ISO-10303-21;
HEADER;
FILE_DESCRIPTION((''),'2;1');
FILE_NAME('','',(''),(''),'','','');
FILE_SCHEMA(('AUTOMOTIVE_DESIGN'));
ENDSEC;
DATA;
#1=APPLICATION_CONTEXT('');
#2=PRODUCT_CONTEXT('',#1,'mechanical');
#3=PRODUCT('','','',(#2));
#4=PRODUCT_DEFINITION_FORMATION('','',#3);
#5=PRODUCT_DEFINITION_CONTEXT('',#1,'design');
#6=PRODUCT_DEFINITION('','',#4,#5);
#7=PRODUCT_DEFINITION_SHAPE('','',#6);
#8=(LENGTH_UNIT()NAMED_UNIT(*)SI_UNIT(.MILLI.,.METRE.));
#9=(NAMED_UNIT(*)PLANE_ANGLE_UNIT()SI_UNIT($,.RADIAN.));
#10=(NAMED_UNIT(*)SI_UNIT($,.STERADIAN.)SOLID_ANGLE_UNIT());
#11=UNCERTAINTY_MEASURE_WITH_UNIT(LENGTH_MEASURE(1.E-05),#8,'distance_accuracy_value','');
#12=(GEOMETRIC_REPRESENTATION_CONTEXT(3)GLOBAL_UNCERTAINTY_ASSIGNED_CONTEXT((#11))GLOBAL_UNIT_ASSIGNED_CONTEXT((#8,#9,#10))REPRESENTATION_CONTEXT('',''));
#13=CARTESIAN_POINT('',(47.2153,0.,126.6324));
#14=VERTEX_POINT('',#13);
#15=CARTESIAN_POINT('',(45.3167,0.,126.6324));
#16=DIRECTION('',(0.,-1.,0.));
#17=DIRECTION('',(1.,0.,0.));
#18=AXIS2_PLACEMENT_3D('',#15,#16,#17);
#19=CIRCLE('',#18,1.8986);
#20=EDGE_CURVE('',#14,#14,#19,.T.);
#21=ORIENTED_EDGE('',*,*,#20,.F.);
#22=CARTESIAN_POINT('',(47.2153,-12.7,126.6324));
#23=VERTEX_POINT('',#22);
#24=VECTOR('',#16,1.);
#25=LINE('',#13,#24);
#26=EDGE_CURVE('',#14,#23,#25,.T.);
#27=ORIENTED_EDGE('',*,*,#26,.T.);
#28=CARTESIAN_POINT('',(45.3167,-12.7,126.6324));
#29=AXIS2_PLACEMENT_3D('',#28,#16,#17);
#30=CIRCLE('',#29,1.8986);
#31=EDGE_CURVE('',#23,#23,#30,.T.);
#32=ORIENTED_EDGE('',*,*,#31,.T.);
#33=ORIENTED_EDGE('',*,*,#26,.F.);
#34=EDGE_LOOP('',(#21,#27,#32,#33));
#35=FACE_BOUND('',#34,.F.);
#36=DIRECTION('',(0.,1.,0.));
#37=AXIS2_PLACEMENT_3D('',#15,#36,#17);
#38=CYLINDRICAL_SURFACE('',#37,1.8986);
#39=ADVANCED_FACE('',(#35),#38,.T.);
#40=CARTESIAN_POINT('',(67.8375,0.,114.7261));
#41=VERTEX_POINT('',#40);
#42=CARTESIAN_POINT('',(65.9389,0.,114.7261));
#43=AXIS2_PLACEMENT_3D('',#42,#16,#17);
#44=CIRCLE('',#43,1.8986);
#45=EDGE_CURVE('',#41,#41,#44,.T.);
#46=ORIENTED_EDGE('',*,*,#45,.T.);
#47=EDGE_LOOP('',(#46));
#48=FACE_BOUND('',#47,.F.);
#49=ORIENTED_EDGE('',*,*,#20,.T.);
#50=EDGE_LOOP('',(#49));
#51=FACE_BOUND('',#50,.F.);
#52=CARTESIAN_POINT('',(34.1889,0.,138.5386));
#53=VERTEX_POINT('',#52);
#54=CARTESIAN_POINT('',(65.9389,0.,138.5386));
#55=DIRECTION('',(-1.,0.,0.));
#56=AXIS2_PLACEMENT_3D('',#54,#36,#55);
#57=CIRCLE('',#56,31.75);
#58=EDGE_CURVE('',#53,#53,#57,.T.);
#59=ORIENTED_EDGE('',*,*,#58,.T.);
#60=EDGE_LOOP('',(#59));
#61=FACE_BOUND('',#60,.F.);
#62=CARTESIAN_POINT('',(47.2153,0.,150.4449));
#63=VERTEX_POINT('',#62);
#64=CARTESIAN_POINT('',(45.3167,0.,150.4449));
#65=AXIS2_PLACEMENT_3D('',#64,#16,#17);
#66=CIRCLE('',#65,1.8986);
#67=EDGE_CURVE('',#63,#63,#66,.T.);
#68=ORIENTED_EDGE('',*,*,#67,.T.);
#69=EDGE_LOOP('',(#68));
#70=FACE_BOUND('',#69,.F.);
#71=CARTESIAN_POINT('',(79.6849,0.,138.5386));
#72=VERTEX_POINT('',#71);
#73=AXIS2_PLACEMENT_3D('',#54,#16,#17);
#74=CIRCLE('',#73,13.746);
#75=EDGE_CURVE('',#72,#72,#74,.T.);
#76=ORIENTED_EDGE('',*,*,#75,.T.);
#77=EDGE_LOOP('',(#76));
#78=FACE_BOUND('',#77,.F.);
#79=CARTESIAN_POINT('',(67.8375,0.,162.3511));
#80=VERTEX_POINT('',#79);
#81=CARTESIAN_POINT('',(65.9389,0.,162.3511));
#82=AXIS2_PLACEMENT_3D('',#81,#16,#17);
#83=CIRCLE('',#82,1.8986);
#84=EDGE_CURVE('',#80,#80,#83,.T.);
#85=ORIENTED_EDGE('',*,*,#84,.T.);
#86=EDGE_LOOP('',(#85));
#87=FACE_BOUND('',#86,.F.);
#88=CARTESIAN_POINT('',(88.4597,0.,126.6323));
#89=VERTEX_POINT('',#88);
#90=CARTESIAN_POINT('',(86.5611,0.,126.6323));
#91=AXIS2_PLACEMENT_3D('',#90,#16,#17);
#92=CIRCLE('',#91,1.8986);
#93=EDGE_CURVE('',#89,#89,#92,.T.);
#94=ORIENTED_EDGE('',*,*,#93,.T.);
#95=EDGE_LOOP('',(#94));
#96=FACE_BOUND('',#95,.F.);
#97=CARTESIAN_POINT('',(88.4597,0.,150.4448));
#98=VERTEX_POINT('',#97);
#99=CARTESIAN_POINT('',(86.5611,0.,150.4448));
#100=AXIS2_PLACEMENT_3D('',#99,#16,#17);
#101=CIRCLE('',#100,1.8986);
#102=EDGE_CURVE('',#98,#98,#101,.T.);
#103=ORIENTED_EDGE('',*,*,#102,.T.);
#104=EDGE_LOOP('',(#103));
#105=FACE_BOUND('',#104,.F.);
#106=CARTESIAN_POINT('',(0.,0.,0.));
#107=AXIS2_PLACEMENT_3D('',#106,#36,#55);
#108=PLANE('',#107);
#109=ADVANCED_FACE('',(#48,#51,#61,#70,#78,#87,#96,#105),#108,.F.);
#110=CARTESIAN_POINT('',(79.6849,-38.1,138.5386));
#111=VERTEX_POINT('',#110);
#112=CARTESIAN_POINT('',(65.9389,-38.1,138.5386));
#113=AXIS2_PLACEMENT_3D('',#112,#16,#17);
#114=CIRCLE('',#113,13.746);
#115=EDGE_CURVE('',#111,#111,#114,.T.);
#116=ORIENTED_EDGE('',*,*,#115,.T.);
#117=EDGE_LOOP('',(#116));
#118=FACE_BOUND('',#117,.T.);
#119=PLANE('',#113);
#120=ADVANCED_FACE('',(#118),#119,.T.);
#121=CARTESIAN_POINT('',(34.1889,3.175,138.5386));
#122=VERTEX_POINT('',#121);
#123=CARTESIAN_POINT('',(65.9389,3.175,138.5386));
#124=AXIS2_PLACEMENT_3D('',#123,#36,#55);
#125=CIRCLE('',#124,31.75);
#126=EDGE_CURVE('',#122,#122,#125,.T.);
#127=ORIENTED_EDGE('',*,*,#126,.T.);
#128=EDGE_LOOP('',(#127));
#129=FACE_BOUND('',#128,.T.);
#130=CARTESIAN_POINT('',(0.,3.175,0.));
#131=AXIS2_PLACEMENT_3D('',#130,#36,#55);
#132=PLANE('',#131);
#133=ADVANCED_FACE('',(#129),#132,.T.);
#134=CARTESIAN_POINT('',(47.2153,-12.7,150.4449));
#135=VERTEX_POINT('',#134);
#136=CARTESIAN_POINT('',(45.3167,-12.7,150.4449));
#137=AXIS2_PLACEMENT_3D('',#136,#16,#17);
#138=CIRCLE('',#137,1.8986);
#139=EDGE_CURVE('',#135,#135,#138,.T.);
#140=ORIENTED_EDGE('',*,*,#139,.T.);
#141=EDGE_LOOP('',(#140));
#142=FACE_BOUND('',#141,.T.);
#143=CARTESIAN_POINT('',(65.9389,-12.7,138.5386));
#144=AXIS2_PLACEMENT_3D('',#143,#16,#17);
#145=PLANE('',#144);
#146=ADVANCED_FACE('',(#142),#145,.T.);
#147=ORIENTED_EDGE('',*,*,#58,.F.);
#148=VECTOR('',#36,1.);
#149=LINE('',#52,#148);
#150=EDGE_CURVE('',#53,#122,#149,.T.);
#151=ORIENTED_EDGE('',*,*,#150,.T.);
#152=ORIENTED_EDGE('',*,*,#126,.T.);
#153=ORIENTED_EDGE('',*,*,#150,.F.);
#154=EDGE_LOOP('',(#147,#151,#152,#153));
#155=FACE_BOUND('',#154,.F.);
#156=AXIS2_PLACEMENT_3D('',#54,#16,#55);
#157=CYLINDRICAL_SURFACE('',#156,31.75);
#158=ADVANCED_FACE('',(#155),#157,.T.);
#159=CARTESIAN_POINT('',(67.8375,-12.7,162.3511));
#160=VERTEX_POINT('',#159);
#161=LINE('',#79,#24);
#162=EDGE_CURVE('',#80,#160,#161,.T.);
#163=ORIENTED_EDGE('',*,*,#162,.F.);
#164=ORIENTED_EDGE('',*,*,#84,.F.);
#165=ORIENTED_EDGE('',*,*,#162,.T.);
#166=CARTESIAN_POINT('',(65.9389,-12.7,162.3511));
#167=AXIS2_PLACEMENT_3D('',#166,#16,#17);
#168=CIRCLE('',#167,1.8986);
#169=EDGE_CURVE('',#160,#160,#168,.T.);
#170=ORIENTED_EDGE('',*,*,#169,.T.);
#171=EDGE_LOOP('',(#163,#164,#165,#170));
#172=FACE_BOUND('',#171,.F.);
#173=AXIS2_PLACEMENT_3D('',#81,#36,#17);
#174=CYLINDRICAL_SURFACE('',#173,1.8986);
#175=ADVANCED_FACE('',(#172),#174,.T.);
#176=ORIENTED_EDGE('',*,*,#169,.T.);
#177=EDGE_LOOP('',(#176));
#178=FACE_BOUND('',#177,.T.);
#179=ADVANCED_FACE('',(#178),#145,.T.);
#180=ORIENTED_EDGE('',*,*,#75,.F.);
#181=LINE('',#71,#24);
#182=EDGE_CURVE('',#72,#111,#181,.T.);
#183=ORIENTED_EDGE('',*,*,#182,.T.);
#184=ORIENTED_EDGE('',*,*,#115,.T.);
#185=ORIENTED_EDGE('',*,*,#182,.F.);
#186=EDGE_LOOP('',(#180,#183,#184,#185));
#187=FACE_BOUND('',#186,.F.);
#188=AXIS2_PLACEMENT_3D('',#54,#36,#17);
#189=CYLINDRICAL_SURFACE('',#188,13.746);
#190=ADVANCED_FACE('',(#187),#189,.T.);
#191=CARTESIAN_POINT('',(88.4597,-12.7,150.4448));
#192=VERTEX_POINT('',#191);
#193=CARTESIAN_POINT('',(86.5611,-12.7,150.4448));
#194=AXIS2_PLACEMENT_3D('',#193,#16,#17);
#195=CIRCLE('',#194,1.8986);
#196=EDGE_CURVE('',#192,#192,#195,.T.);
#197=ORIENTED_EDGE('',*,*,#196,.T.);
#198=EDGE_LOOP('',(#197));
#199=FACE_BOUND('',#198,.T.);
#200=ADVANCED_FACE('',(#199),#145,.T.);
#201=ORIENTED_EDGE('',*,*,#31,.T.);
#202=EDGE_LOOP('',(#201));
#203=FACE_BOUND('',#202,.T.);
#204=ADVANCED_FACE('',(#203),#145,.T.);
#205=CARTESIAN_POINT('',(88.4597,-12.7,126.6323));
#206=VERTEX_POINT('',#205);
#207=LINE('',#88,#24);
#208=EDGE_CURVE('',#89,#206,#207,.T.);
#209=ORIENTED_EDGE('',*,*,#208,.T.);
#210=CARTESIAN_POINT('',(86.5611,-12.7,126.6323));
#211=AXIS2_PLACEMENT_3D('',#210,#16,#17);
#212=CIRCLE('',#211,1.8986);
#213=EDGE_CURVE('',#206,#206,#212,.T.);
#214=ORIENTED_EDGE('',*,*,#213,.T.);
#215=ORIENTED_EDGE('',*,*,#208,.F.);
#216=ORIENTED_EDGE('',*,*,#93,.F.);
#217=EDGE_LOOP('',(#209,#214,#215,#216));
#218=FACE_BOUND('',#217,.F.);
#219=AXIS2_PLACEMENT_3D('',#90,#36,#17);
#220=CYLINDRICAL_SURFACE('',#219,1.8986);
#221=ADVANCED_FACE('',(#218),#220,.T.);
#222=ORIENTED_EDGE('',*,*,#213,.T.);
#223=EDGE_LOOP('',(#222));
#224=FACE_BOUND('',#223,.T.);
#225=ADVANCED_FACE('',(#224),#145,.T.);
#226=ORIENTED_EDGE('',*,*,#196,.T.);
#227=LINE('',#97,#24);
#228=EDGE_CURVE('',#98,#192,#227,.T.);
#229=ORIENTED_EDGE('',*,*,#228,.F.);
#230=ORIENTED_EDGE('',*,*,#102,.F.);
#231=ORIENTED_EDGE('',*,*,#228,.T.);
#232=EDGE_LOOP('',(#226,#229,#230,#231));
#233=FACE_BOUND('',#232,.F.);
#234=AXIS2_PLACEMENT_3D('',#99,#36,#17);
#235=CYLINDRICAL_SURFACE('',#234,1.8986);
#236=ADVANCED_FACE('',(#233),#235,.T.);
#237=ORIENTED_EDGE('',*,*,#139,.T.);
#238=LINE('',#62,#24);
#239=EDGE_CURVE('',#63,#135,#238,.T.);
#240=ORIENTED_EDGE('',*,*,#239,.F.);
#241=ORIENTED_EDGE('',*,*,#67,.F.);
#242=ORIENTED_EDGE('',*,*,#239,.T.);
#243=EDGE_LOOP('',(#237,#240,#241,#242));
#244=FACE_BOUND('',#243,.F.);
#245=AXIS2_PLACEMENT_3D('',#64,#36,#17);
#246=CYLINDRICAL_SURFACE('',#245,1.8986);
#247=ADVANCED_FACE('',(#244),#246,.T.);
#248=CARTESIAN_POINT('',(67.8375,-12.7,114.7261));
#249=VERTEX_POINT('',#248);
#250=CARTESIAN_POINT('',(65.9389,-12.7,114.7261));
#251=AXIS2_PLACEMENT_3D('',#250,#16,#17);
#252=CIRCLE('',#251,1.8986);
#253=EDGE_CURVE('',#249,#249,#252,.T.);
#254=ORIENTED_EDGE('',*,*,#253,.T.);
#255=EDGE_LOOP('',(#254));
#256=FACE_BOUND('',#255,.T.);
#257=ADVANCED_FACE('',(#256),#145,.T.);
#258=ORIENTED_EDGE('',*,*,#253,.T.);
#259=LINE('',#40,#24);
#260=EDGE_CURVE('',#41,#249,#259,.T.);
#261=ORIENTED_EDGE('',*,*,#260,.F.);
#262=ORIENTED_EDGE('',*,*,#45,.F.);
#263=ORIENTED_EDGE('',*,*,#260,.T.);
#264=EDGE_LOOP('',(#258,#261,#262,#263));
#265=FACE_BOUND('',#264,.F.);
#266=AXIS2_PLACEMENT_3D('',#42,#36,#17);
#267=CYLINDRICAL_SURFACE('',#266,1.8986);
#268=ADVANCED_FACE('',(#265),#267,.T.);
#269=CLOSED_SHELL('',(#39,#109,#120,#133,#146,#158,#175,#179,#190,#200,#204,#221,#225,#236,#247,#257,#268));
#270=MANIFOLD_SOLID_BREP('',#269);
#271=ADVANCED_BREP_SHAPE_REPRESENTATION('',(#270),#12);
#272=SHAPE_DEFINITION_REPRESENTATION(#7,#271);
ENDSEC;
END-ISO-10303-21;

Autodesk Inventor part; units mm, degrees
ref_plane "YZ Plane" through (0, 0, 0) normal (1, 0, 0) x (0, 1, 0)
ref_plane "XZ Plane" through (0, 0, 0) normal (0, 1, 0) x (-1, 0, 0)
ref_plane "XY Plane" through (0, 0, 0) normal (0, 0, 1) x (1, 0, 0)
sketch "Sketch1" plane through (0, 0, 0) normal (0, 1, 0) x (-1, 0, 0)
  circle A0 centre (-65.9389, 138.5386) radius 14 projected
  circle A1 centre (-65.9389, 138.5386) radius 13.746
  circle A2 centre (-65.9389, 138.5386) radius 31.75
  point P0 (0, 0)
  dimension "d0" = 27.492
  dimension "d1" = 28
  dimension "d2" = 63.5
extrude "Extrusion1" add sketch "Sketch1" along normal blind 3.175 contours A0 | A1 | A2
sketch "Sketch2" plane through (65.9389, 0, 138.5386) normal (0, -1, 0) x (1, 0, 0)
  circle A0 centre (0, 0) radius 13.746
  point P0 (-65.9389, -138.5386)
  dimension "d5" = 27.492
extrude "Extrusion2" add sketch "Sketch2" along normal blind 38.1
sketch "Sketch3" plane through (65.9389, 0, 138.5386) normal (0, -1, 0) x (1, 0, 0)
  circle A0 centre (0, 23.8125) radius 2.1526 projected
  circle A1 centre (20.6222, 11.9062) radius 2.1526 projected
  circle A2 centre (20.6222, -11.9063) radius 2.1526 projected
  circle A3 centre (0, -23.8125) radius 2.1526 projected
  circle A4 centre (-20.6222, -11.9062) radius 2.1526 projected
  circle A5 centre (-20.6222, 11.9063) radius 2.1526 projected
  circle A6 centre (0, 23.8125) radius 1.8986
  circle A7 centre (20.6222, 11.9062) radius 1.8986
  circle A8 centre (20.6222, -11.9063) radius 1.8986
  circle A9 centre (-20.6222, -11.9062) radius 1.8986
  circle A10 centre (-20.6222, 11.9063) radius 1.8986
  circle A11 centre (0, -23.8125) radius 1.8986
  point P0 (-65.9389, -138.5386)
  dimension "d8" = 4.3053
  dimension "d9" = 3.7973
  dimension "d10" = 3.7973
  dimension "d11" = 3.7973
  dimension "d12" = 3.7973
  dimension "d13" = 3.7973
  dimension "d14" = 3.7973
extrude "Extrusion3" add sketch "Sketch3" along normal blind 12.7 contours A6 | A7 | A8 | A9 | A10 | A11
properties part number "5inCompliantWheelHub"
